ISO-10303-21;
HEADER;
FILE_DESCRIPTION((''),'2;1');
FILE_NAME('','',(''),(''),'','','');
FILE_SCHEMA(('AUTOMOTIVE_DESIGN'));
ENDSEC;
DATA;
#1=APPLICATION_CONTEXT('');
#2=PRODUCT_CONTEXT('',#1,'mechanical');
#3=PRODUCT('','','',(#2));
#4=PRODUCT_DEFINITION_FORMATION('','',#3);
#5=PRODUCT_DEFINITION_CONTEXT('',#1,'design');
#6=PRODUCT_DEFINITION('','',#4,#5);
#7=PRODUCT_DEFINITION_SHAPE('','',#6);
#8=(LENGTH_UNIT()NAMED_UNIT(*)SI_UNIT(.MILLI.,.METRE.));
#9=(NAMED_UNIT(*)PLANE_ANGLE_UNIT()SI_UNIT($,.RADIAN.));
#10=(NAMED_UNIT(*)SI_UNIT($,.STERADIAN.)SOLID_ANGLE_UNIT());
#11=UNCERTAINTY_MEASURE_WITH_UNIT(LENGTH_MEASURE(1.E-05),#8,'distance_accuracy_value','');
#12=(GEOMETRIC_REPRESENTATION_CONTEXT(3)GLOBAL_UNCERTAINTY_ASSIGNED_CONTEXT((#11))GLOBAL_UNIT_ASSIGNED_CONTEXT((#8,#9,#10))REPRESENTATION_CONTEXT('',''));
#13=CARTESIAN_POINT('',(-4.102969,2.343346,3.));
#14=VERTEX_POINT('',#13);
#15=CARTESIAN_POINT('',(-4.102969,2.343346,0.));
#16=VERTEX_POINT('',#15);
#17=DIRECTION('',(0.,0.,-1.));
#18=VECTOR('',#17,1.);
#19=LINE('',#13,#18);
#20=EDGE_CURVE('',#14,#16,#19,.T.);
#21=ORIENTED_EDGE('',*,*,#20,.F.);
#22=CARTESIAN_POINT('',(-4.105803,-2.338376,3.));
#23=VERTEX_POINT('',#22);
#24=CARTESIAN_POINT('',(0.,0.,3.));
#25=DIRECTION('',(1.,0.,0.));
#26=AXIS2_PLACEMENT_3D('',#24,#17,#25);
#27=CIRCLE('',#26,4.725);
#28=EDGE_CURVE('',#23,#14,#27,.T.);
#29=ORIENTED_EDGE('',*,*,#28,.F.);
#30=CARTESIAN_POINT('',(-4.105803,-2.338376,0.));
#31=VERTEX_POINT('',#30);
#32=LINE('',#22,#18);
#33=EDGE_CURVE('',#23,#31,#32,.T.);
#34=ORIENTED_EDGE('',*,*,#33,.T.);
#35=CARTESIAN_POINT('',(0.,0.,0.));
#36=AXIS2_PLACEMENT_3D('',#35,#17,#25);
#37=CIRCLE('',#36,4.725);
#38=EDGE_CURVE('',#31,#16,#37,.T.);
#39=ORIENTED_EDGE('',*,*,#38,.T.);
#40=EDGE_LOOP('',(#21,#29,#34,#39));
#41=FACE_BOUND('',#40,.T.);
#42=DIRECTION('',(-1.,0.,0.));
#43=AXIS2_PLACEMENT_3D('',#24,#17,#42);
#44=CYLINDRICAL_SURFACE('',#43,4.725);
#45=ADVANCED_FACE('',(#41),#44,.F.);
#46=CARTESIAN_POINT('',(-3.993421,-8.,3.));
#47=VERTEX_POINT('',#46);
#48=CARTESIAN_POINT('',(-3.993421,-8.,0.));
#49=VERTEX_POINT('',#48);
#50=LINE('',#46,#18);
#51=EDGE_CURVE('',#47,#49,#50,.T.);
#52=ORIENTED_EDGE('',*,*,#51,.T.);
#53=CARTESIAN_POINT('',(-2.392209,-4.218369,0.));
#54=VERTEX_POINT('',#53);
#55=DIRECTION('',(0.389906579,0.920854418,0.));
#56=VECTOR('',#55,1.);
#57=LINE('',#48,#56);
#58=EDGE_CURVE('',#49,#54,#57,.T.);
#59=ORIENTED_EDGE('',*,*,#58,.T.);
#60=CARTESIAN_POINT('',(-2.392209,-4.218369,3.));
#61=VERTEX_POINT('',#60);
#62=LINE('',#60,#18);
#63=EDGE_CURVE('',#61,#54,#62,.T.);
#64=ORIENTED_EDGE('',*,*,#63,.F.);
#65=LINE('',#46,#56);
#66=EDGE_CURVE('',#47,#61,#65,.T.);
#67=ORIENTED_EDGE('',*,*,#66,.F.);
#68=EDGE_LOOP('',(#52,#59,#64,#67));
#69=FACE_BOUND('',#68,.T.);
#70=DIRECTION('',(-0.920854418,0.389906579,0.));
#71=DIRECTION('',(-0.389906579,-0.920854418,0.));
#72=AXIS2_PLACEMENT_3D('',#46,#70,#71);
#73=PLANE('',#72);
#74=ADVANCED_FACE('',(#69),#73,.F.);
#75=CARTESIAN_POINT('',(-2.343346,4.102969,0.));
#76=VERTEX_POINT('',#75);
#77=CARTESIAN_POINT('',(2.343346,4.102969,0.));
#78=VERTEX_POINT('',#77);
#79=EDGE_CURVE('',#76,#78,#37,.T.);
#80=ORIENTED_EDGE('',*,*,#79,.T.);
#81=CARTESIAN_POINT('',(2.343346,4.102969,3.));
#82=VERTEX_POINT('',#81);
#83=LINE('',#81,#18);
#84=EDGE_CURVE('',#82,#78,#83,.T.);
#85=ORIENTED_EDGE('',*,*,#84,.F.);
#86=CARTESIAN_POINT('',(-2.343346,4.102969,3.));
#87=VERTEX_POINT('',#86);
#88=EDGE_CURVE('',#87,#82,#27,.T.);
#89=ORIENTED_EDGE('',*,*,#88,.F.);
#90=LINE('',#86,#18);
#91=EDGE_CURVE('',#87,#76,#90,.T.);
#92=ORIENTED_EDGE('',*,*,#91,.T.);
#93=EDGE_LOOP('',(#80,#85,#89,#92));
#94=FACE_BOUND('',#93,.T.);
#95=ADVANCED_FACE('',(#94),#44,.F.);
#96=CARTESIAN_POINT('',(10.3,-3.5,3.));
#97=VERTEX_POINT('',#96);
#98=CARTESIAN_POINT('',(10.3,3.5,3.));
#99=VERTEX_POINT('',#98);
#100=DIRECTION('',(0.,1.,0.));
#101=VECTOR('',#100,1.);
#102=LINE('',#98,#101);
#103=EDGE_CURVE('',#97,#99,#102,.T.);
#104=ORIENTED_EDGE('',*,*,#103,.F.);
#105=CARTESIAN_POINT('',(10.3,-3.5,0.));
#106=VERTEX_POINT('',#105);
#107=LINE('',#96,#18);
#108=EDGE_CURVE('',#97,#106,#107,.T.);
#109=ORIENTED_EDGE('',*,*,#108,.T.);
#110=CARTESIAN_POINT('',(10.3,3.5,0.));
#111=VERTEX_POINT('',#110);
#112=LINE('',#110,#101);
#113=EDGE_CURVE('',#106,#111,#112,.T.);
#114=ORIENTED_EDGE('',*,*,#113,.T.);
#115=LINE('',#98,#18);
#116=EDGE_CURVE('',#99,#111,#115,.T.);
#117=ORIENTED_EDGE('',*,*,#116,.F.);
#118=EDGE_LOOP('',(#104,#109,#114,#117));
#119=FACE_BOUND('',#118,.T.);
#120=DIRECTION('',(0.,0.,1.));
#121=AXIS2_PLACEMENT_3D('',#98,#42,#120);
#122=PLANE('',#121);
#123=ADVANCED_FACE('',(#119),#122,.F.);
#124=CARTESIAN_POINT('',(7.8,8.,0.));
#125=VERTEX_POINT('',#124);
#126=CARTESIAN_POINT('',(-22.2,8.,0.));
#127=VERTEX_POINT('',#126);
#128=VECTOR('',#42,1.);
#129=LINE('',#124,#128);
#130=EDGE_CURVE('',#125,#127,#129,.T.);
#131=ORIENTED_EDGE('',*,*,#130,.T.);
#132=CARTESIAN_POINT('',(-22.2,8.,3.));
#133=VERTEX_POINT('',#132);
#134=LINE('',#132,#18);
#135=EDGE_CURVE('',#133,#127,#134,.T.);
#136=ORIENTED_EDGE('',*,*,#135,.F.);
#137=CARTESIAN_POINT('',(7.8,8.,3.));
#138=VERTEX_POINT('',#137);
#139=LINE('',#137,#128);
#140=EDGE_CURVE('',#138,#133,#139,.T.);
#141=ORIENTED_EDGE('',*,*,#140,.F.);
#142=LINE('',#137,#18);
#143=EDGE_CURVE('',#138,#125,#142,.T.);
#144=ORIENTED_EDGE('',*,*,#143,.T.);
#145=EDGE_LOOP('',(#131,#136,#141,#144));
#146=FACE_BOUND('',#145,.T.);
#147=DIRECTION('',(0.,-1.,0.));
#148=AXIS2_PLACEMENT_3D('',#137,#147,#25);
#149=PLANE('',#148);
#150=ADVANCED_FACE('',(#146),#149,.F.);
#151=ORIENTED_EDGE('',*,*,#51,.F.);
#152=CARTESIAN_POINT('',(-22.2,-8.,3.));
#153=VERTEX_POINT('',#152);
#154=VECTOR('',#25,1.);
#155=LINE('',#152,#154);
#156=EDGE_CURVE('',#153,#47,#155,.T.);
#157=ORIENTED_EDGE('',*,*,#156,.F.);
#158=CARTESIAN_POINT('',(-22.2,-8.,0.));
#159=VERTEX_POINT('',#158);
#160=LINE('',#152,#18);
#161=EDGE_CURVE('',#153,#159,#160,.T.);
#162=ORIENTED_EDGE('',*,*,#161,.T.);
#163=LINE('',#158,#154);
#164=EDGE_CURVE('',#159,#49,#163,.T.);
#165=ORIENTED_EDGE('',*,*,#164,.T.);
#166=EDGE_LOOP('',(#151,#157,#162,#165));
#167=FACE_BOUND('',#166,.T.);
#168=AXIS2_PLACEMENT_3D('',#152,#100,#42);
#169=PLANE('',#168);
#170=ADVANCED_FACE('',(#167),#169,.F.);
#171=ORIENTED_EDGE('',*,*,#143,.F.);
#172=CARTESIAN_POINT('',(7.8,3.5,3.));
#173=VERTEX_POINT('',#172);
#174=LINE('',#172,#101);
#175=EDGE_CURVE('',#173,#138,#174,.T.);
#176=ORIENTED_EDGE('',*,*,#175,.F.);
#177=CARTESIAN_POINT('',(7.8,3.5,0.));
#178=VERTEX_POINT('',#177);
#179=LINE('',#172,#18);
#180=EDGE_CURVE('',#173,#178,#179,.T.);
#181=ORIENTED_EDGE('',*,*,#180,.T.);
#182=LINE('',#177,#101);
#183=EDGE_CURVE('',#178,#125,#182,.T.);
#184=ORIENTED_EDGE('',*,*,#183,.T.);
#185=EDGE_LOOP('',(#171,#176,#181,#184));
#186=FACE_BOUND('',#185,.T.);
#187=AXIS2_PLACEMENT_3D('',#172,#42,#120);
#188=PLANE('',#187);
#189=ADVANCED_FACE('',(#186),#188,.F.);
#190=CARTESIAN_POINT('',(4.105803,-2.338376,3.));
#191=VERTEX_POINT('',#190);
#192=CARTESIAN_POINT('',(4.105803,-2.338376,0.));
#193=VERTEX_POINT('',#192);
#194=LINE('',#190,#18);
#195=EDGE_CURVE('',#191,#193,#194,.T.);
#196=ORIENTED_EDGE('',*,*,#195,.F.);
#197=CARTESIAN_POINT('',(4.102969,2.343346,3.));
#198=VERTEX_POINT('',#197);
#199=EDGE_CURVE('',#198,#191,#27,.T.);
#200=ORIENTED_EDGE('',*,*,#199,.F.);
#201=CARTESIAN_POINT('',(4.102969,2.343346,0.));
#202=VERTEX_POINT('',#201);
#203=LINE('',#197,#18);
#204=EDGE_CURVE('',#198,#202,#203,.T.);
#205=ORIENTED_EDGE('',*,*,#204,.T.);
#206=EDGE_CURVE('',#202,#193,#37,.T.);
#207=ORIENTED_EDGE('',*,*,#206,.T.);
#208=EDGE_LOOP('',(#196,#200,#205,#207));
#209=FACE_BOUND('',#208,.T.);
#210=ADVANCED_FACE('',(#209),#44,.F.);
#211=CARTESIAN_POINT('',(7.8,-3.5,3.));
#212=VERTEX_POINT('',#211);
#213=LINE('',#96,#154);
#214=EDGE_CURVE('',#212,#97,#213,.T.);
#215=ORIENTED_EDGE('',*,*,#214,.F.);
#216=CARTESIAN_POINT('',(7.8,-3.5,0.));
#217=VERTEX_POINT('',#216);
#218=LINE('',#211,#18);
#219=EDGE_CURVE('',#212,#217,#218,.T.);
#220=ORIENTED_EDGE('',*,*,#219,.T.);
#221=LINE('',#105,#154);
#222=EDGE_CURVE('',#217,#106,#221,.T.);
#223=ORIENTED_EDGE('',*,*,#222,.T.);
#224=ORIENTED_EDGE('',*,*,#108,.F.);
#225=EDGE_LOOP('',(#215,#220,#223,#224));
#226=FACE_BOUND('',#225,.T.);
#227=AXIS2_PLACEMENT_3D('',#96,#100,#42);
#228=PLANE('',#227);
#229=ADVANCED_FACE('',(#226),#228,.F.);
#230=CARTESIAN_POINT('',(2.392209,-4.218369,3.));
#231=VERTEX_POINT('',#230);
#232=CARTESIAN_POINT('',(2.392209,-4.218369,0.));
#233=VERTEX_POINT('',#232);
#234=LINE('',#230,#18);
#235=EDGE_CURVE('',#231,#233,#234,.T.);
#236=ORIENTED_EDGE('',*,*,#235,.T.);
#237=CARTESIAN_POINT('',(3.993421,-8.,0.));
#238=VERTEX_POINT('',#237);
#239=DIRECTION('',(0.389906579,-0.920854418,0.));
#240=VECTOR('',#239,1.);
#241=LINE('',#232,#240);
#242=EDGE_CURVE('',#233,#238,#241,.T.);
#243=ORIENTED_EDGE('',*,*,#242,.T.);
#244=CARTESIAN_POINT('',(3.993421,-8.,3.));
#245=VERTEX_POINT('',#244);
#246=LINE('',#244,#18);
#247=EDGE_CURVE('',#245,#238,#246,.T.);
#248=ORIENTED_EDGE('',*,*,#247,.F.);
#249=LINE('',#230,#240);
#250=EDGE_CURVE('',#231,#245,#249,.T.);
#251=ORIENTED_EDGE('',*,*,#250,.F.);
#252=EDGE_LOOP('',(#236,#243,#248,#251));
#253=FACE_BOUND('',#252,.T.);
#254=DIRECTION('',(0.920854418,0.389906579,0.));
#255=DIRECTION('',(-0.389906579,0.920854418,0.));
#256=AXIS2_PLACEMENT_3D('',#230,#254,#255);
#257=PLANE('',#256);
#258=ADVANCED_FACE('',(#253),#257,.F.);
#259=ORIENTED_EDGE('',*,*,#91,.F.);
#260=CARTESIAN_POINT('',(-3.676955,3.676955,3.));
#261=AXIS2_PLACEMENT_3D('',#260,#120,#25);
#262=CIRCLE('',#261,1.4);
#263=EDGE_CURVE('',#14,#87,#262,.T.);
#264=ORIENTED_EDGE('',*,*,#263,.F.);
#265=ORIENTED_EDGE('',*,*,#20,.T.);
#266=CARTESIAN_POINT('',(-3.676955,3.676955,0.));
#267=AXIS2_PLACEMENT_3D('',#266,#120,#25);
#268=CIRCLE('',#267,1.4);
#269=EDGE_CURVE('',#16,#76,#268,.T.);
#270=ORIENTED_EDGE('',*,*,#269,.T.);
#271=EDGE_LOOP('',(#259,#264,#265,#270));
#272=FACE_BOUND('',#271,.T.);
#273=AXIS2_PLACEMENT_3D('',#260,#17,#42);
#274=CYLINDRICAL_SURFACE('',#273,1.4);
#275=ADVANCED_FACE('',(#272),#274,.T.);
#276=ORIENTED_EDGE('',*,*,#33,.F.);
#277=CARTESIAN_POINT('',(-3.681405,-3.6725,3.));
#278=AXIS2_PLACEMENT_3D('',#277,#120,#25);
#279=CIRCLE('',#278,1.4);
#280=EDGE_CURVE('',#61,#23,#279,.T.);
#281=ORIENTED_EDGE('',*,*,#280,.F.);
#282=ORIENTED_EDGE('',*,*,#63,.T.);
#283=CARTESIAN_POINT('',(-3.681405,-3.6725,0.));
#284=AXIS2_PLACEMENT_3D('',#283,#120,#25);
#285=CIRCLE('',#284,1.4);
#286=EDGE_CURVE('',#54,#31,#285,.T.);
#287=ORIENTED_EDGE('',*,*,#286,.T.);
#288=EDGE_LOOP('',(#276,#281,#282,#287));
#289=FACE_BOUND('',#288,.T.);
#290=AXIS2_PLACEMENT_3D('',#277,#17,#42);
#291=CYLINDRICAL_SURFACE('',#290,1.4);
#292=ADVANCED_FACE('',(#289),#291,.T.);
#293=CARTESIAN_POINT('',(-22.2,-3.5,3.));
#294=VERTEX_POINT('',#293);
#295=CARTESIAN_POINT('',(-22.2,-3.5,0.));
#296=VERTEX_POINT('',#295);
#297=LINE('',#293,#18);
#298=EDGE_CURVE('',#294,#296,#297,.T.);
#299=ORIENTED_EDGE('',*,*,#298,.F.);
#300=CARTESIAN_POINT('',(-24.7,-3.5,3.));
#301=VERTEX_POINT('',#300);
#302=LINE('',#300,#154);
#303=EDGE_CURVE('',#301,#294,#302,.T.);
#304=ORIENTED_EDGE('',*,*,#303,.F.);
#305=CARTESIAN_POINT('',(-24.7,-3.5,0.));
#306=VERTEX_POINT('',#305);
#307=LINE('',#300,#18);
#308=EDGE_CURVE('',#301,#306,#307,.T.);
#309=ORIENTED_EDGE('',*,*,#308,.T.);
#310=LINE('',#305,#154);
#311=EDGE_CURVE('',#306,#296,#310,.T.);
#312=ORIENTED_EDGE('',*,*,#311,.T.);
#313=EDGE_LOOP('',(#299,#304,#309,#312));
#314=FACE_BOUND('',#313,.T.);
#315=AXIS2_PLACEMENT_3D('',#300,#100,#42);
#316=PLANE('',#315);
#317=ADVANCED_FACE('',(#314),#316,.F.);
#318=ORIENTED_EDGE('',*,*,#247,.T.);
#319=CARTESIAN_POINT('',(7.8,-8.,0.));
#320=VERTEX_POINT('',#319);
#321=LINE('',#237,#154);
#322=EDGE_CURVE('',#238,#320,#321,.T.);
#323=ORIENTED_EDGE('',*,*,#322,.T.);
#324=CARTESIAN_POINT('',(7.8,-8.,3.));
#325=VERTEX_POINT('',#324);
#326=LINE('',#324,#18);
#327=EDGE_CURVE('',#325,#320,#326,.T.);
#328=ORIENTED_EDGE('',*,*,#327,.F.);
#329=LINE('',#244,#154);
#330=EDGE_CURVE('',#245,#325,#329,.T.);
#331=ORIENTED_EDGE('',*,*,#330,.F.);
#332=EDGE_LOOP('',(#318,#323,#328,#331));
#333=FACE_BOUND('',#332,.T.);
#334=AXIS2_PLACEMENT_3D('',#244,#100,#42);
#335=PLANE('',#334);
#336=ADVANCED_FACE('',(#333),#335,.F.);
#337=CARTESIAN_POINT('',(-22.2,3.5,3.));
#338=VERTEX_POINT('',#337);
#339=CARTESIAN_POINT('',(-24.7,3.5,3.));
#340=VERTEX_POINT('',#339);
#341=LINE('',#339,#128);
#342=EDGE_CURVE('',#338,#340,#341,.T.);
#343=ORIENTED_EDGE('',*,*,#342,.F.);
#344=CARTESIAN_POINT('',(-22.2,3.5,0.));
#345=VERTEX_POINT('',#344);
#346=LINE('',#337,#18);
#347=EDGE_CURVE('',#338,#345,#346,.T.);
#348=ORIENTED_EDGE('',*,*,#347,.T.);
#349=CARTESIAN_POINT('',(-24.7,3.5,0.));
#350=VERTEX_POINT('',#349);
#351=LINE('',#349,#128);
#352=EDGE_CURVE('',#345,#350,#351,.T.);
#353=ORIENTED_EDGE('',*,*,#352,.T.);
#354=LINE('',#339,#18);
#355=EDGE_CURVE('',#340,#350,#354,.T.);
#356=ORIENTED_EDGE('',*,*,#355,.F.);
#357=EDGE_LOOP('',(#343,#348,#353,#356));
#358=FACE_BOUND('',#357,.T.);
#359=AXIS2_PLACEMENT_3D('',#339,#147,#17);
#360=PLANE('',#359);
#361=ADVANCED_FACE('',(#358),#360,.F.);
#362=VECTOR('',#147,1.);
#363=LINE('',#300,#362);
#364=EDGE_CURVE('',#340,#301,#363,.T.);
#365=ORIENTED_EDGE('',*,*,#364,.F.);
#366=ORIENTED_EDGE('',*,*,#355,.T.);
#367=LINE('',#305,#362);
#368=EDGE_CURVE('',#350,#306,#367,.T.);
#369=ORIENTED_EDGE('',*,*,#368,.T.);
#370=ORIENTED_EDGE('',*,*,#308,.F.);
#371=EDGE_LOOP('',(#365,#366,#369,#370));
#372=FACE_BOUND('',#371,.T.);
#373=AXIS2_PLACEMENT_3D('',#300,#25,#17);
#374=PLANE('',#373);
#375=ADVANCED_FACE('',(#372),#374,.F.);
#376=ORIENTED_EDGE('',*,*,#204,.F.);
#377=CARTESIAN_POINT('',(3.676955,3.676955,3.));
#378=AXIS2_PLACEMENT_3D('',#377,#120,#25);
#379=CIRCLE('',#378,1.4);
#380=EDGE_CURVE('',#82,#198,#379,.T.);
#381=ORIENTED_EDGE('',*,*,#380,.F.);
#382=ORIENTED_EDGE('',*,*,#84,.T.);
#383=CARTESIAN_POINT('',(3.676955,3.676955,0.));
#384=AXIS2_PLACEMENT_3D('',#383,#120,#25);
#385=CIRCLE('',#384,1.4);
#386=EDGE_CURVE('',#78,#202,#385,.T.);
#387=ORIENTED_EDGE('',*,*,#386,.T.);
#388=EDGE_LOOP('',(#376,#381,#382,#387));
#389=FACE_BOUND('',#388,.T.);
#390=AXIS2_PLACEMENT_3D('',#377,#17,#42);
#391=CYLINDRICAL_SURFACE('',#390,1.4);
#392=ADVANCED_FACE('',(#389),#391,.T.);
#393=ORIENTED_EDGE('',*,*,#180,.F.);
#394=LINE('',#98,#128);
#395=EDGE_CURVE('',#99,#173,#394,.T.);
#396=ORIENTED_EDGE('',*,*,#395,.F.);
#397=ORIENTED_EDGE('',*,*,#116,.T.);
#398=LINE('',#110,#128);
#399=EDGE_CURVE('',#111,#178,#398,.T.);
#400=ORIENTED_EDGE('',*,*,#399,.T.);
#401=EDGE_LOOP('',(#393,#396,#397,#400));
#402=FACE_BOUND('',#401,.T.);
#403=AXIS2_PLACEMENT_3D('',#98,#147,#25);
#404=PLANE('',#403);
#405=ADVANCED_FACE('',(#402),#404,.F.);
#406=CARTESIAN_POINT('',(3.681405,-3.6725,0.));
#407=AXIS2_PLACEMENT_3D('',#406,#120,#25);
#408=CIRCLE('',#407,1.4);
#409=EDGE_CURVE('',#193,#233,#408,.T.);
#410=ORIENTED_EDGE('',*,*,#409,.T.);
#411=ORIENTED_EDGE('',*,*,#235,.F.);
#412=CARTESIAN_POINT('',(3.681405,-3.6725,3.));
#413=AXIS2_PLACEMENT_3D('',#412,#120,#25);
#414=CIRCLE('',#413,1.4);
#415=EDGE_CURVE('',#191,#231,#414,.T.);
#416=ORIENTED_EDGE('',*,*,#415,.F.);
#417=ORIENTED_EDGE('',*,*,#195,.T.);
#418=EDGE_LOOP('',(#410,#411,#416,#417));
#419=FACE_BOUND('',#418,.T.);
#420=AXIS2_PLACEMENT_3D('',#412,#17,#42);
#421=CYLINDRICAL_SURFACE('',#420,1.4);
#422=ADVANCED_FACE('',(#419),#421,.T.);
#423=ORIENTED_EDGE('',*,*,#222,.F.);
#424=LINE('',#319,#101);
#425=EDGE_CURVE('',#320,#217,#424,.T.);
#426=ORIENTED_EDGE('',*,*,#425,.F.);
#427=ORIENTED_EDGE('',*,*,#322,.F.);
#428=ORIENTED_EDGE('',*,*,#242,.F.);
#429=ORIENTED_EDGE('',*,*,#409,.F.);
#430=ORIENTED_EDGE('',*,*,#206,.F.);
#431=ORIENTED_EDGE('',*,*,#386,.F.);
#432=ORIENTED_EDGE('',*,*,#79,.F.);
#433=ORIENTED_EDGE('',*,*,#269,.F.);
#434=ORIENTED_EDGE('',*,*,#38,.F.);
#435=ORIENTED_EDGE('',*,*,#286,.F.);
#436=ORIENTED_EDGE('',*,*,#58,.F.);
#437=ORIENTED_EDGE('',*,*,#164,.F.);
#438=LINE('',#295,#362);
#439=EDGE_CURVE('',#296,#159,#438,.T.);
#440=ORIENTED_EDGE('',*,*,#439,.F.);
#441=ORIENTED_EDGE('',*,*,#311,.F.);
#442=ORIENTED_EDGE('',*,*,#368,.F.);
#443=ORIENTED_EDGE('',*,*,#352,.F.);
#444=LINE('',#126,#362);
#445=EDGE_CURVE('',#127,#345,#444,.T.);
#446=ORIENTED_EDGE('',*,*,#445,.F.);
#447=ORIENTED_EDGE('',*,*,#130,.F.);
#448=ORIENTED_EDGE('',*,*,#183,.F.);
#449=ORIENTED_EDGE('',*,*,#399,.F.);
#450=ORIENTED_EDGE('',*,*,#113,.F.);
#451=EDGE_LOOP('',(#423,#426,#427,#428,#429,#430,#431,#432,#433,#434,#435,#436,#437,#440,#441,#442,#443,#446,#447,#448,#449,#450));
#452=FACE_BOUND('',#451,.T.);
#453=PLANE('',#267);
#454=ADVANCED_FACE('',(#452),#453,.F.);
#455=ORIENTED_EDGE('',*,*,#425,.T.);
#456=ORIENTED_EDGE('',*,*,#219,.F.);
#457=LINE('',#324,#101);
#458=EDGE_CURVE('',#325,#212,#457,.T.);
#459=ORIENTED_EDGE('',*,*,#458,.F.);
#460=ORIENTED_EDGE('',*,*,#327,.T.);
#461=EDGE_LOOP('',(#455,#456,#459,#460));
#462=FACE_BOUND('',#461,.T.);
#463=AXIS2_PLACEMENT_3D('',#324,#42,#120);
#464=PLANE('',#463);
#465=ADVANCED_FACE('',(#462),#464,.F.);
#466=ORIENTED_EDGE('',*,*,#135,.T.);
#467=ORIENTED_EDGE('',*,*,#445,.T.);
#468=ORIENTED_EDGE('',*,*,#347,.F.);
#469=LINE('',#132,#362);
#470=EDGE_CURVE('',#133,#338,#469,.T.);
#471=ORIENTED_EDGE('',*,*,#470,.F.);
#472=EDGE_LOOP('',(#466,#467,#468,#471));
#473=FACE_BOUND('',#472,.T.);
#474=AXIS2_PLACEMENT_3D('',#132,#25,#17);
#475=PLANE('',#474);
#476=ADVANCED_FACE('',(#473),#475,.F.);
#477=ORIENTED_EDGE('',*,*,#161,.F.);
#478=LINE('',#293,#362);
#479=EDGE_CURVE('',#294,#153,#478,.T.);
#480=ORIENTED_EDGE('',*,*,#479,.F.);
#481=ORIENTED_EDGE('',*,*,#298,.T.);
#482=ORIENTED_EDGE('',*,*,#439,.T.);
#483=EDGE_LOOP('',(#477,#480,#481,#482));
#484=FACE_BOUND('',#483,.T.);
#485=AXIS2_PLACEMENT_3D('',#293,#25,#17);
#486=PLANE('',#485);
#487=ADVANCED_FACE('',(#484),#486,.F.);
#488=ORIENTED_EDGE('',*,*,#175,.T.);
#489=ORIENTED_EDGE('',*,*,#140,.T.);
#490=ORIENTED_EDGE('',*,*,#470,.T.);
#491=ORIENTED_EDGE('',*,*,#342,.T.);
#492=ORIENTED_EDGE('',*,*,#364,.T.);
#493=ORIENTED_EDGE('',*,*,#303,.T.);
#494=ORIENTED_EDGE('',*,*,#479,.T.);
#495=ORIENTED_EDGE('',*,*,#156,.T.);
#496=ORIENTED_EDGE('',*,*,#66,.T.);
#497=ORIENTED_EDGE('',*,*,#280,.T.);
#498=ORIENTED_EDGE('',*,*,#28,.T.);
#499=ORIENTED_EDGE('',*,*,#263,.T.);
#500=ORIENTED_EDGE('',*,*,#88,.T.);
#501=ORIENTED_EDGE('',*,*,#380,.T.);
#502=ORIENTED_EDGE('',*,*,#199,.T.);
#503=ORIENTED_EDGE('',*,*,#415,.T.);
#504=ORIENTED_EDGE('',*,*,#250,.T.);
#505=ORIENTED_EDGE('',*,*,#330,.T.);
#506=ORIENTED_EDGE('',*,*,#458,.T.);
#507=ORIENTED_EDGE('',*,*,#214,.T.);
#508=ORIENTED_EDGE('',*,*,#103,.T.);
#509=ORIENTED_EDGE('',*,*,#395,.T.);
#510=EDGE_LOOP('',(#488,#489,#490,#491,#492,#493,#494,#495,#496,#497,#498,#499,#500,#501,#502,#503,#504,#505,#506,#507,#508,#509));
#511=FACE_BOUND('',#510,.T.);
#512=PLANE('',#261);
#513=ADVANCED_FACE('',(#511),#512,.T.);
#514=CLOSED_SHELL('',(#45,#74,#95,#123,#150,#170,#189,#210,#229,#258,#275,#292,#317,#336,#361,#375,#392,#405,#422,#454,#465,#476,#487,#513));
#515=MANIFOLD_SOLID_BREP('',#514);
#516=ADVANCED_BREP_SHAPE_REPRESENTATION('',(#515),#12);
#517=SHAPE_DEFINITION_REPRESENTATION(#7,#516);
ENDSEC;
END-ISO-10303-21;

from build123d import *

# Parameters (mm, degrees)
BOSS_EXTRU_1_DEPTH = 3


with BuildPart() as part:
    # Esquisse1 → Boss.-Extru.1 (new body)
    with BuildSketch(Plane.XY):
        with BuildLine():
            Line((-24.7, -3.5), (-22.2, -3.5))
            Line((-22.2, -3.5), (-22.2, -8))
            Line((-22.2, -8), (-3.993420642, -8))
            Line((-3.993420642, -8), (-2.392209052, -4.218369106))
            ThreePointArc((-2.392209052, -4.218369106), (-2.646725452, -2.729399825), (-4.10580345, -2.338376153))
            ThreePointArc((-4.10580345, -2.338376153), (-4.724999134, 0.00286091), (-4.102968743, 2.343346431))
            ThreePointArc((-4.102968743, 2.343346431), (-2.687005769, 2.687005769), (-2.343346431, 4.102968743))
            ThreePointArc((-2.343346431, 4.102968743), (0, 4.725), (2.343346431, 4.102968743))
            ThreePointArc((2.343346431, 4.102968743), (2.687005769, 2.687005769), (4.102968743, 2.343346431))
            ThreePointArc((4.102968743, 2.343346431), (4.724999134, 0.00286091), (4.10580345, -2.338376153))
            ThreePointArc((4.10580345, -2.338376153), (2.646725452, -2.729399825), (2.392209052, -4.218369106))
            Line((2.392209052, -4.218369106), (3.993420642, -8))
            Line((3.993420642, -8), (7.8, -8))
            Line((7.8, -8), (7.8, -3.5))
            Line((7.8, -3.5), (10.3, -3.5))
            Line((10.3, -3.5), (10.3, 3.5))
            Line((10.3, 3.5), (7.8, 3.5))
            Line((7.8, 3.5), (7.8, 8))
            Line((7.8, 8), (-22.2, 8))
            Line((-22.2, 8), (-22.2, 3.5))
            Line((-22.2, 3.5), (-24.7, 3.5))
            Line((-24.7, 3.5), (-24.7, -3.5))
        make_face()
    extrude(amount=BOSS_EXTRU_1_DEPTH)


solid = part.part
